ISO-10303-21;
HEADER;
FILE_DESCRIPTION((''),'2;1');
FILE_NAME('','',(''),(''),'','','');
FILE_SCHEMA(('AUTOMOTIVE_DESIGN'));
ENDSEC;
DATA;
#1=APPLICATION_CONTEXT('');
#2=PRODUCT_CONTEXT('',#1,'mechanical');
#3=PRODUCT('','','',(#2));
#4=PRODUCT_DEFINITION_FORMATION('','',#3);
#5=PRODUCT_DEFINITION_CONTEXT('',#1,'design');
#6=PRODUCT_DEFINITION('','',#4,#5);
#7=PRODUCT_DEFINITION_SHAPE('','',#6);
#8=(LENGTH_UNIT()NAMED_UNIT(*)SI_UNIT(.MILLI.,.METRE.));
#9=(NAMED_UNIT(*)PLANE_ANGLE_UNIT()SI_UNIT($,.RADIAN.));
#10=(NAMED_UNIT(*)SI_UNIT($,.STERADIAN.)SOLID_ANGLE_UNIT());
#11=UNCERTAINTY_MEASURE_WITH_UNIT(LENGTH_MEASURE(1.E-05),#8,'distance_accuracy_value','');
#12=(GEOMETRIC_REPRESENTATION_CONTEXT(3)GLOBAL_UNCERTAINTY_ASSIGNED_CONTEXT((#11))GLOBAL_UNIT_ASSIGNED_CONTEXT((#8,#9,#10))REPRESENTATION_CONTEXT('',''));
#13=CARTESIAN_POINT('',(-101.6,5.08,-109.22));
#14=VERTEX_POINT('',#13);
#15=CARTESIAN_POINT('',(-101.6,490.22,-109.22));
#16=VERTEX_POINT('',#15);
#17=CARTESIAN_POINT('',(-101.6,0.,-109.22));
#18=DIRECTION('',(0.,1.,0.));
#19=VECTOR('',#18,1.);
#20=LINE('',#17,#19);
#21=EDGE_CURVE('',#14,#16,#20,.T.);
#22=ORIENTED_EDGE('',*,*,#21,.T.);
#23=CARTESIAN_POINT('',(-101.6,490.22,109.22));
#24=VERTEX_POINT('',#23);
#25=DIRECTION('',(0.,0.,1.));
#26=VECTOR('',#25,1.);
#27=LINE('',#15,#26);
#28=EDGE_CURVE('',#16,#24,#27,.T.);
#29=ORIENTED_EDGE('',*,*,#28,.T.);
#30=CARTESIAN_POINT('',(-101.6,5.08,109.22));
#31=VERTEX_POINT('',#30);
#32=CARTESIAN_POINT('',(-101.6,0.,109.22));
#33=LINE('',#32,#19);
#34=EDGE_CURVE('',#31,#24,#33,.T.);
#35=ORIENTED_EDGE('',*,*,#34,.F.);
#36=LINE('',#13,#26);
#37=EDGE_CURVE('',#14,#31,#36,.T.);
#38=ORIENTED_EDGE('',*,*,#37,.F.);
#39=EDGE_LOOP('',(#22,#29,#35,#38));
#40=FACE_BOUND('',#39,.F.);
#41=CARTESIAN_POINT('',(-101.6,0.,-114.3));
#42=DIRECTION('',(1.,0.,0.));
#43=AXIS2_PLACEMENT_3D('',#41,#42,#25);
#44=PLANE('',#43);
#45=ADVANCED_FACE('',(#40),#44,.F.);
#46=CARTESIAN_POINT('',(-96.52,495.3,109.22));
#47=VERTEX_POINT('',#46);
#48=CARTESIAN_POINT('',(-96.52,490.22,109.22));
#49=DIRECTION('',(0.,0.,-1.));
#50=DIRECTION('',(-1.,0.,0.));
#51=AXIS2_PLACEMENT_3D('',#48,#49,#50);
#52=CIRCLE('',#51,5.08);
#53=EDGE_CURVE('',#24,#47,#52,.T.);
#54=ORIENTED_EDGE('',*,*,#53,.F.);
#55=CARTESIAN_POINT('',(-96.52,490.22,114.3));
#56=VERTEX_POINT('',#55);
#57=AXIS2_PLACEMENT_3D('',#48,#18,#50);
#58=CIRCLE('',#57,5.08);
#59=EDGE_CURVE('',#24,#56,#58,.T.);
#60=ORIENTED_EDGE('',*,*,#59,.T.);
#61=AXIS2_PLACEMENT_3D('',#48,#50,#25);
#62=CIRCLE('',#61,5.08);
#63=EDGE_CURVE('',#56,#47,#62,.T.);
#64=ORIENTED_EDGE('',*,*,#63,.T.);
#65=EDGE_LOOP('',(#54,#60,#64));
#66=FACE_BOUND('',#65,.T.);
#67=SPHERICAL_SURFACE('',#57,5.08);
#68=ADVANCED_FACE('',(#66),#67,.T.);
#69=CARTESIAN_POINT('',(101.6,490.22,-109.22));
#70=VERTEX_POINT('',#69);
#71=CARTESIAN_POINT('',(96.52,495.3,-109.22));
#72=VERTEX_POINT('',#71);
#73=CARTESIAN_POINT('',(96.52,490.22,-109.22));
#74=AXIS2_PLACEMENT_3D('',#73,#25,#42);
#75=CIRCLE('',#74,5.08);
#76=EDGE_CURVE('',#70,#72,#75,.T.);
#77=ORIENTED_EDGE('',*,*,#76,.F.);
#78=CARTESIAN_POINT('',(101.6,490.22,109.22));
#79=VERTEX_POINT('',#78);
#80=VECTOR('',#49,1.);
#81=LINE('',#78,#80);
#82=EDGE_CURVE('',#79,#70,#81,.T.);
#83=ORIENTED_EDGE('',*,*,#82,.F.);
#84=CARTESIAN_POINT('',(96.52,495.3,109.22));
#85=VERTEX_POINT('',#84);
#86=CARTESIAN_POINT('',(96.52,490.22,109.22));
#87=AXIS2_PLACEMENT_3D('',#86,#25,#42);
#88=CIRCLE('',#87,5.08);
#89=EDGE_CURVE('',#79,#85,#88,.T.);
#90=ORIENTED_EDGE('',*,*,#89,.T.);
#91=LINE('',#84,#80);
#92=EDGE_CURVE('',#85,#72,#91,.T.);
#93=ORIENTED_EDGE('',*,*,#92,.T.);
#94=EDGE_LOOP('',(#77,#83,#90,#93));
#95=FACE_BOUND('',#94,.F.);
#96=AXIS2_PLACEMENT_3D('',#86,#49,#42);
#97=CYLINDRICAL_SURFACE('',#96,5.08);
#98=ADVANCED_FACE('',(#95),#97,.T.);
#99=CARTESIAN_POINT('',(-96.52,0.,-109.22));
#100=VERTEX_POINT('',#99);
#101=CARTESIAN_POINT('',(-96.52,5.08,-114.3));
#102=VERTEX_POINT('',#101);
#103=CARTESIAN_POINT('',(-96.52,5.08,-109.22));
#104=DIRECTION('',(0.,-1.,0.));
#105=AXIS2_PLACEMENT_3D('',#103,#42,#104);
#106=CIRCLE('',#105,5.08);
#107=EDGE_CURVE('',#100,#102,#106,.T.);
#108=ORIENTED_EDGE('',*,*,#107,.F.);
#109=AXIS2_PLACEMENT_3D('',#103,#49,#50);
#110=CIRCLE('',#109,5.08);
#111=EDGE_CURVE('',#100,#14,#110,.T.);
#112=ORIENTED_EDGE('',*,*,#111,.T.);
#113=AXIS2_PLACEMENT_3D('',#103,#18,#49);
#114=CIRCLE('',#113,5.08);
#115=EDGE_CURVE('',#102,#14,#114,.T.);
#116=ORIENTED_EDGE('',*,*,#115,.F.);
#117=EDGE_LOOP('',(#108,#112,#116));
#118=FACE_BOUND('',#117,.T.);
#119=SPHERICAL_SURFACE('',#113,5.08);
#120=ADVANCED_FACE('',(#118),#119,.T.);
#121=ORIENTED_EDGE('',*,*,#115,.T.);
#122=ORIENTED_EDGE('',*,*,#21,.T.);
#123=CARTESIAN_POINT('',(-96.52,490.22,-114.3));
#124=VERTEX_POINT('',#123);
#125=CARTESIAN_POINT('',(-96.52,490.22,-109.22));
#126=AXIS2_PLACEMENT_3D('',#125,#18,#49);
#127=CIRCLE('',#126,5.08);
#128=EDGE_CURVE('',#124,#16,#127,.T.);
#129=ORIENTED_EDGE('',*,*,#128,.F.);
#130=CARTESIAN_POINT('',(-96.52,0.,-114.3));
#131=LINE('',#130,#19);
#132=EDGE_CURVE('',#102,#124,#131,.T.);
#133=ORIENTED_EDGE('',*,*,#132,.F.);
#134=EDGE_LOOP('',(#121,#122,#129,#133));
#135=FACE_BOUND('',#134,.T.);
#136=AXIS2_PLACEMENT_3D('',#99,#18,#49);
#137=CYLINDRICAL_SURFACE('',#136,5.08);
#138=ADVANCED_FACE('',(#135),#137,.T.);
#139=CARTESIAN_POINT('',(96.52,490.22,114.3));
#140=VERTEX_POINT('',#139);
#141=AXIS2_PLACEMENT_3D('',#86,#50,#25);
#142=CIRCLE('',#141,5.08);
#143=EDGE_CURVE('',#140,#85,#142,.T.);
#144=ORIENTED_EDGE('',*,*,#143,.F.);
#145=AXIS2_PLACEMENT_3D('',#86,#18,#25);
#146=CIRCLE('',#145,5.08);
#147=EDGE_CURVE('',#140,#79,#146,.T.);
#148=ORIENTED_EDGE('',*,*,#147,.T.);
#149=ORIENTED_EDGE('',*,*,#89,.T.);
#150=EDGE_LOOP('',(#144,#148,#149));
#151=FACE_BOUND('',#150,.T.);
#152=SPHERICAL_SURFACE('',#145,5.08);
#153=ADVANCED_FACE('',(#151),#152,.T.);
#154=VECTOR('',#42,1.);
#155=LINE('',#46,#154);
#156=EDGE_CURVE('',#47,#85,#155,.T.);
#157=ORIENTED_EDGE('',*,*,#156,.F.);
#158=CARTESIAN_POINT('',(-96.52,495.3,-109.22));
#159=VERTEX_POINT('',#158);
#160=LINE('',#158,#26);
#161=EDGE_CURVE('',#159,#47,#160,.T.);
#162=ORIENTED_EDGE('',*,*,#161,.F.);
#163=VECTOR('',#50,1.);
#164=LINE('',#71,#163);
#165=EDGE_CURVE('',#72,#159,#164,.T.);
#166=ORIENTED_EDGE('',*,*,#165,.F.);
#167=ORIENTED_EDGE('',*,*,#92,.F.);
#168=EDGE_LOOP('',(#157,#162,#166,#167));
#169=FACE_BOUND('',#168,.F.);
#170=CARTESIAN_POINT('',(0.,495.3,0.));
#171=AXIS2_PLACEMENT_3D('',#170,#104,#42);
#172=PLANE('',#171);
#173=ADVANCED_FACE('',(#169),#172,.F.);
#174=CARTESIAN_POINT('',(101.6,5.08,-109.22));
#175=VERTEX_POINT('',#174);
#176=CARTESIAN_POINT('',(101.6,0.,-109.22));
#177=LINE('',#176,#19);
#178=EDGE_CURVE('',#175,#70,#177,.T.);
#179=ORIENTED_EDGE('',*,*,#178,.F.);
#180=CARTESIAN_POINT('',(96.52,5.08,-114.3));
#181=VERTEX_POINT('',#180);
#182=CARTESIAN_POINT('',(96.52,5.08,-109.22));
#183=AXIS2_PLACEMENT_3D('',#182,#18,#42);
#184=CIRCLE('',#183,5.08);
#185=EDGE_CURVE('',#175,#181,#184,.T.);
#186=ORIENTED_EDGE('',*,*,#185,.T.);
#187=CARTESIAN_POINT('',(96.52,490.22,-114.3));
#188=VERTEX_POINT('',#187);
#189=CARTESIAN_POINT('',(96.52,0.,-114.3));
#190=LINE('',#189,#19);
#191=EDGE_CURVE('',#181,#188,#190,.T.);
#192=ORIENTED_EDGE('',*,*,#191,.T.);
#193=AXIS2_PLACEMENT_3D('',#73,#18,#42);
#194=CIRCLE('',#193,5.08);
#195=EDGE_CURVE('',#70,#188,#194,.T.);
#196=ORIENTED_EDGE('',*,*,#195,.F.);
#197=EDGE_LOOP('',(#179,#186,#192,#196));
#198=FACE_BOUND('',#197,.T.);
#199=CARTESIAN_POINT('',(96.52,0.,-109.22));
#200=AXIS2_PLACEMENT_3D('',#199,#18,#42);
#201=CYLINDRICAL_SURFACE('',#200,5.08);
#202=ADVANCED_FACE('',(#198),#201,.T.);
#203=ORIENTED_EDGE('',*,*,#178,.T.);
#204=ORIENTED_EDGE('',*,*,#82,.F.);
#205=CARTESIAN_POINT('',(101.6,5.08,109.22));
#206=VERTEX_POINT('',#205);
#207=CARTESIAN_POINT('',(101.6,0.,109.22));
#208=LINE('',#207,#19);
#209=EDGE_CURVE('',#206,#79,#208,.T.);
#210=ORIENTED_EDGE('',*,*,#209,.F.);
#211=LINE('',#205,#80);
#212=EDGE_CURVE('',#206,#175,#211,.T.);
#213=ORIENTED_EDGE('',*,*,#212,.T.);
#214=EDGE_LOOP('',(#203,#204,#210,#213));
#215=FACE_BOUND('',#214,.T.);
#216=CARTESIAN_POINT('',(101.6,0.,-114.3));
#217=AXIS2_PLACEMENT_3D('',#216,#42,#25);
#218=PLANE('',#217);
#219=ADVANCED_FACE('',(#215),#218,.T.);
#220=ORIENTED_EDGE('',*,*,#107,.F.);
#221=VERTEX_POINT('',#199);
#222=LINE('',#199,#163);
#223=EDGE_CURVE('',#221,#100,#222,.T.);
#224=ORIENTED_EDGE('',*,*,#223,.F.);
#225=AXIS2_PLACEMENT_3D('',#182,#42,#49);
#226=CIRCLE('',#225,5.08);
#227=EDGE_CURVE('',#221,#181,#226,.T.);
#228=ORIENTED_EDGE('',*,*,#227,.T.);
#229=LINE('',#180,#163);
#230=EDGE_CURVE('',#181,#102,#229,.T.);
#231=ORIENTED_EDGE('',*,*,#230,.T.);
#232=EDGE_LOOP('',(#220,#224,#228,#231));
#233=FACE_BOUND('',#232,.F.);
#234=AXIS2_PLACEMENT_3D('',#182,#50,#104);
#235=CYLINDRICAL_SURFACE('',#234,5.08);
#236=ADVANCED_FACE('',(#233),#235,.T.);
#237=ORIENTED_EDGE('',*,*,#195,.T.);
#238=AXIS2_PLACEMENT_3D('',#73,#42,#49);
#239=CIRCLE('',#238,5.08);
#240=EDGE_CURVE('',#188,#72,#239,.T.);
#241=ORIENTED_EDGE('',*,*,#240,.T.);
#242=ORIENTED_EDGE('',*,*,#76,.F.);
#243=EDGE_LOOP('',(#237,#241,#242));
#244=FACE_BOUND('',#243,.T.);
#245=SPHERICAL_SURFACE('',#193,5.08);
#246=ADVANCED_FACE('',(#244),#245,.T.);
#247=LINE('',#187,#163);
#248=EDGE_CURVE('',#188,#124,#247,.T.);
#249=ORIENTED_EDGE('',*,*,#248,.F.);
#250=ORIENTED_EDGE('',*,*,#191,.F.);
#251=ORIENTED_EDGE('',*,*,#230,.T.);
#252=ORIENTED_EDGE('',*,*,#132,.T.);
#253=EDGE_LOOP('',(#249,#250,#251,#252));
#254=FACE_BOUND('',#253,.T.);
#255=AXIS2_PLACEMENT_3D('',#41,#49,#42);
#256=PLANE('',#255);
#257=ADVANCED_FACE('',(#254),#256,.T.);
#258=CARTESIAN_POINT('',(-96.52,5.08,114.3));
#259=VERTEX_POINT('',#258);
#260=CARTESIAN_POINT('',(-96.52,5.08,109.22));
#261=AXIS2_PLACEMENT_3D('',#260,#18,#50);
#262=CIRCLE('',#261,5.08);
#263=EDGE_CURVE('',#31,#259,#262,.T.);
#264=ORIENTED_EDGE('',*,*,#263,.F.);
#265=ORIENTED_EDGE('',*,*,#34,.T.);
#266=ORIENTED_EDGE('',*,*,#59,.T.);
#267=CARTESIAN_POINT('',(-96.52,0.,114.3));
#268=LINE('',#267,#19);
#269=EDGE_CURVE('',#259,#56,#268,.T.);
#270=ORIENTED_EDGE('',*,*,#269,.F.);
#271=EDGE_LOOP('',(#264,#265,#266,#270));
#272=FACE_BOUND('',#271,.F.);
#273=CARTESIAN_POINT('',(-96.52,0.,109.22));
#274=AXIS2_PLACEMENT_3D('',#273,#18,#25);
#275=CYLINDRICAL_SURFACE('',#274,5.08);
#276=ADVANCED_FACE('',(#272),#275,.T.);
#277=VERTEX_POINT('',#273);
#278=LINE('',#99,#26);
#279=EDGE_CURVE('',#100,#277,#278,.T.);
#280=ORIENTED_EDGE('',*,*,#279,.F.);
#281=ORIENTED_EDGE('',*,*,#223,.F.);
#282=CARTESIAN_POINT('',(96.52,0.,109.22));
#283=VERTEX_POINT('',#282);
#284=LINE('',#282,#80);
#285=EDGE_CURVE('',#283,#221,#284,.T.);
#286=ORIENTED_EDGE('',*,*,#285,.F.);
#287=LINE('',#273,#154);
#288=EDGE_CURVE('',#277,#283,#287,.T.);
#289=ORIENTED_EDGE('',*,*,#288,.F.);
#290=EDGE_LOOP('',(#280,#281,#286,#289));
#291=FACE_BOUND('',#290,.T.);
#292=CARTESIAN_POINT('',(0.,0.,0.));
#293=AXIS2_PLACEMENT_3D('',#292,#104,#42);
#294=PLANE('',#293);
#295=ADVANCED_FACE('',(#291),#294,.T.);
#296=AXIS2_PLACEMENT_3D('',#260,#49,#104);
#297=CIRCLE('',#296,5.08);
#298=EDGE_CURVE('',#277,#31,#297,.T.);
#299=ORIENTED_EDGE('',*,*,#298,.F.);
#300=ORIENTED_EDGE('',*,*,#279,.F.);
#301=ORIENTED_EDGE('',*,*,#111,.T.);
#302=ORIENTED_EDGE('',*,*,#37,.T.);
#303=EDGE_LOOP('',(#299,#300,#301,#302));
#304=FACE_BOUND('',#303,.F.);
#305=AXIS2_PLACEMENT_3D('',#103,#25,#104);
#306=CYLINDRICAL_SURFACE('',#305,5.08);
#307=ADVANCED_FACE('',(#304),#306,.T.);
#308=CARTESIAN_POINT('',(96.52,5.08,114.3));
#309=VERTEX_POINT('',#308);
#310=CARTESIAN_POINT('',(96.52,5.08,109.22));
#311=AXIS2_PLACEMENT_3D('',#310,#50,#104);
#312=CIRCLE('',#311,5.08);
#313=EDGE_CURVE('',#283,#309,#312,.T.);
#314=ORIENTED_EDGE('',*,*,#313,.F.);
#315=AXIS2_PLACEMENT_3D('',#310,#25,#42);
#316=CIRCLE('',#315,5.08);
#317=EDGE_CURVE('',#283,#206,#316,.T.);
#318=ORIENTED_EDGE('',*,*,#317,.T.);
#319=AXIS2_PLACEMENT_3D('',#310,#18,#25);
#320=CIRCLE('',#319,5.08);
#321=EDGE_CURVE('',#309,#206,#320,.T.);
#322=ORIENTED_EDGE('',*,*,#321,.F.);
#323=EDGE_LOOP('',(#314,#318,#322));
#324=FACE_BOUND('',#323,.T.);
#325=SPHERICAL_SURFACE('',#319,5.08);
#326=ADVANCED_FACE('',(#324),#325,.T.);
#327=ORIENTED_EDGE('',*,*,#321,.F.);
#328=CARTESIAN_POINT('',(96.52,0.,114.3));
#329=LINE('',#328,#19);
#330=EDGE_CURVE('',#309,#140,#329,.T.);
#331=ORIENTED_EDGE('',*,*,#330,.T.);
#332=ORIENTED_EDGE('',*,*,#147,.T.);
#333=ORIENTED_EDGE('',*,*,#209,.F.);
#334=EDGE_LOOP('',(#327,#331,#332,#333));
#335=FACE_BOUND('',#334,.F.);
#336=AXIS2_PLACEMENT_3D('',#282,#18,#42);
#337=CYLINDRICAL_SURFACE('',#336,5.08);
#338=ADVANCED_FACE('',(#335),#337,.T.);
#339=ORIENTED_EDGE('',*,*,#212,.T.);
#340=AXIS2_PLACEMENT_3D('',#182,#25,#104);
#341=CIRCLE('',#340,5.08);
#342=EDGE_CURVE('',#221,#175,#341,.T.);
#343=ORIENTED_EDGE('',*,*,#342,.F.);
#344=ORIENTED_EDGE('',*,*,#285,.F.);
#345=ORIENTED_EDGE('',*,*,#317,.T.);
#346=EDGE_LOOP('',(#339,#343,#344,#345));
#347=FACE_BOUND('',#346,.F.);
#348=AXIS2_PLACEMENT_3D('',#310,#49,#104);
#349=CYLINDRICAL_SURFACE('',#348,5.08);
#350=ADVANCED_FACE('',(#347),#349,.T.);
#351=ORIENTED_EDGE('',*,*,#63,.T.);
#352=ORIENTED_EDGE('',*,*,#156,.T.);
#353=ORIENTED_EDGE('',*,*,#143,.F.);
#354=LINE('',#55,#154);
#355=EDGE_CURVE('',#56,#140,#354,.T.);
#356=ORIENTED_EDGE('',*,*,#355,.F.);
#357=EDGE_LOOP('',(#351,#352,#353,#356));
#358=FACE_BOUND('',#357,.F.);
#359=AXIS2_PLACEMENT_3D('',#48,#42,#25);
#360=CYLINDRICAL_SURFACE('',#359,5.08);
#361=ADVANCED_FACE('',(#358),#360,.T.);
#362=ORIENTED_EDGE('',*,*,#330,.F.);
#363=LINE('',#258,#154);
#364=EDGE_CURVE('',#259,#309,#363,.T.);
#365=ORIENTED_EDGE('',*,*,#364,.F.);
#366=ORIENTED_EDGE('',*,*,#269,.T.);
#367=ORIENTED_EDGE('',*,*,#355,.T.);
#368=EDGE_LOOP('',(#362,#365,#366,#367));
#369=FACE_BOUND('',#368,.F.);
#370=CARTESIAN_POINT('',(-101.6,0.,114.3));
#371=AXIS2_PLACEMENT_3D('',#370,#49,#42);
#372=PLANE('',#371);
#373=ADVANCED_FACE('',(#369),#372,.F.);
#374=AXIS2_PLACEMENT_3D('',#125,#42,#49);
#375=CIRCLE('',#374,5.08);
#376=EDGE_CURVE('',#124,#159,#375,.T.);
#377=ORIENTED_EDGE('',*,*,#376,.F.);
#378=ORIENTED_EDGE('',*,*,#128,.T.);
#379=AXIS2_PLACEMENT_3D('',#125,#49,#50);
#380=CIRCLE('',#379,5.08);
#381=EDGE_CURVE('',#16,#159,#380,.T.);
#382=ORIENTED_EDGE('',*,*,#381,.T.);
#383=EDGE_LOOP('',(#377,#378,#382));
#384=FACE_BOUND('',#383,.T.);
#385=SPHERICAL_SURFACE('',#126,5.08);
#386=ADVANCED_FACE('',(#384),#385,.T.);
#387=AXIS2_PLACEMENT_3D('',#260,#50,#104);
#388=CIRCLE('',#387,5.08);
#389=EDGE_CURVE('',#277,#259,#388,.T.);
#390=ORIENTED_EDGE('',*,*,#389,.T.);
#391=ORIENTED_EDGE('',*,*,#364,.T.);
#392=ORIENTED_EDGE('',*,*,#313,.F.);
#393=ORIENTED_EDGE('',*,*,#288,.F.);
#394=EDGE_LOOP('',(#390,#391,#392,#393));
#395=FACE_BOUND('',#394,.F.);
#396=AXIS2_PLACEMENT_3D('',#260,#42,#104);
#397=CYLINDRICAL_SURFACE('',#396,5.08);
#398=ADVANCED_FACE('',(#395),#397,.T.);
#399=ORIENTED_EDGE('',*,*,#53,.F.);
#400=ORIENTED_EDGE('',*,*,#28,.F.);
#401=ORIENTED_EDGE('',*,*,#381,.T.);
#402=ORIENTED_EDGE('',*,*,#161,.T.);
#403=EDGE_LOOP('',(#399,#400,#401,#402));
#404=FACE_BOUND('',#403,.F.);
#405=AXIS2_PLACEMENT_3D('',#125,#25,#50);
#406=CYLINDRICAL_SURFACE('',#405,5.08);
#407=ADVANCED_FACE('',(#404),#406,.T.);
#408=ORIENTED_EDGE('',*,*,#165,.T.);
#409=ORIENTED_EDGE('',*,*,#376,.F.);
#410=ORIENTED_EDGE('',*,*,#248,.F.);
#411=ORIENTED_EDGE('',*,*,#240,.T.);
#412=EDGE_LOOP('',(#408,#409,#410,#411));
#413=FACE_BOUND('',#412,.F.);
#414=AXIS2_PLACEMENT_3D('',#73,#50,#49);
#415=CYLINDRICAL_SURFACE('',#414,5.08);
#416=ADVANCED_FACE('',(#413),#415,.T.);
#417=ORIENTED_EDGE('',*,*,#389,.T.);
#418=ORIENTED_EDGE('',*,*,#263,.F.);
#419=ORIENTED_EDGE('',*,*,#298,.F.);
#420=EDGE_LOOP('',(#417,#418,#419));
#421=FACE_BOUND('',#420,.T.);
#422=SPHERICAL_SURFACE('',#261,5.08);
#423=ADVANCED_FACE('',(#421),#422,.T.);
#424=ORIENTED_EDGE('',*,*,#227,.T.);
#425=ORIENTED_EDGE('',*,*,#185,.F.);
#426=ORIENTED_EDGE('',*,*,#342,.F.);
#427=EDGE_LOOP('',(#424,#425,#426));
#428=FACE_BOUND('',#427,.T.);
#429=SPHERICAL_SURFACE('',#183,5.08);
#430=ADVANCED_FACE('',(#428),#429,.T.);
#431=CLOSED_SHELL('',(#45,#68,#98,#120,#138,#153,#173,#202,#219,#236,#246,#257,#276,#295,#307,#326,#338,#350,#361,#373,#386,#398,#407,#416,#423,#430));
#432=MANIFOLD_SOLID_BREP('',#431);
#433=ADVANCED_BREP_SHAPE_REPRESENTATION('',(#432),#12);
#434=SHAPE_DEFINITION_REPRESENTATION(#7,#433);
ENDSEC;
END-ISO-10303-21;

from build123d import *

# Parameters (mm, degrees)
F0_W     = 203.2
F0_H     = 228.6
F1_DEPTH = 495.3
F2_R     = 5.08
F3_R     = 5.08
F4_R     = 5.08
F5_R     = 5.08
F6_R     = 5.08
F7_R     = 5.08


with BuildPart() as f1:
    # F0 (on Front) → F1 (new body)
    with BuildSketch(Plane.XZ):
        Rectangle(F0_W, F0_H)
    extrude(amount=-F1_DEPTH)

    # F2
    f2_edges = [f1.edges().sort_by_distance(p)[0] for p in [
        (101.6, 247.65, 114.3),
    ]]
    fillet(f2_edges, radius=F2_R)

    # F3
    f3_edges = [f1.edges().sort_by_distance(p)[0] for p in [
        (-101.6, 247.65, 114.3),
    ]]
    fillet(f3_edges, radius=F3_R)

    # F4
    f4_edges = [f1.edges().sort_by_distance(p)[0] for p in [
        (101.6, 247.65, -114.3),
    ]]
    fillet(f4_edges, radius=F4_R)

    # F5
    f5_edges = [f1.edges().sort_by_distance(p)[0] for p in [
        (-101.6, 247.65, -114.3),
    ]]
    fillet(f5_edges, radius=F5_R)

    # F6
    f6_edges = [f1.edges().sort_by_distance(p)[0] for p in [
        (0, 0, 114.3),
    ]]
    fillet(f6_edges, radius=F6_R)

    # F7
    f7_edges = [f1.edges().sort_by_distance(p)[0] for p in [
        (0, 495.3, 114.3),
    ]]
    fillet(f7_edges, radius=F7_R)


solid = f1.part
